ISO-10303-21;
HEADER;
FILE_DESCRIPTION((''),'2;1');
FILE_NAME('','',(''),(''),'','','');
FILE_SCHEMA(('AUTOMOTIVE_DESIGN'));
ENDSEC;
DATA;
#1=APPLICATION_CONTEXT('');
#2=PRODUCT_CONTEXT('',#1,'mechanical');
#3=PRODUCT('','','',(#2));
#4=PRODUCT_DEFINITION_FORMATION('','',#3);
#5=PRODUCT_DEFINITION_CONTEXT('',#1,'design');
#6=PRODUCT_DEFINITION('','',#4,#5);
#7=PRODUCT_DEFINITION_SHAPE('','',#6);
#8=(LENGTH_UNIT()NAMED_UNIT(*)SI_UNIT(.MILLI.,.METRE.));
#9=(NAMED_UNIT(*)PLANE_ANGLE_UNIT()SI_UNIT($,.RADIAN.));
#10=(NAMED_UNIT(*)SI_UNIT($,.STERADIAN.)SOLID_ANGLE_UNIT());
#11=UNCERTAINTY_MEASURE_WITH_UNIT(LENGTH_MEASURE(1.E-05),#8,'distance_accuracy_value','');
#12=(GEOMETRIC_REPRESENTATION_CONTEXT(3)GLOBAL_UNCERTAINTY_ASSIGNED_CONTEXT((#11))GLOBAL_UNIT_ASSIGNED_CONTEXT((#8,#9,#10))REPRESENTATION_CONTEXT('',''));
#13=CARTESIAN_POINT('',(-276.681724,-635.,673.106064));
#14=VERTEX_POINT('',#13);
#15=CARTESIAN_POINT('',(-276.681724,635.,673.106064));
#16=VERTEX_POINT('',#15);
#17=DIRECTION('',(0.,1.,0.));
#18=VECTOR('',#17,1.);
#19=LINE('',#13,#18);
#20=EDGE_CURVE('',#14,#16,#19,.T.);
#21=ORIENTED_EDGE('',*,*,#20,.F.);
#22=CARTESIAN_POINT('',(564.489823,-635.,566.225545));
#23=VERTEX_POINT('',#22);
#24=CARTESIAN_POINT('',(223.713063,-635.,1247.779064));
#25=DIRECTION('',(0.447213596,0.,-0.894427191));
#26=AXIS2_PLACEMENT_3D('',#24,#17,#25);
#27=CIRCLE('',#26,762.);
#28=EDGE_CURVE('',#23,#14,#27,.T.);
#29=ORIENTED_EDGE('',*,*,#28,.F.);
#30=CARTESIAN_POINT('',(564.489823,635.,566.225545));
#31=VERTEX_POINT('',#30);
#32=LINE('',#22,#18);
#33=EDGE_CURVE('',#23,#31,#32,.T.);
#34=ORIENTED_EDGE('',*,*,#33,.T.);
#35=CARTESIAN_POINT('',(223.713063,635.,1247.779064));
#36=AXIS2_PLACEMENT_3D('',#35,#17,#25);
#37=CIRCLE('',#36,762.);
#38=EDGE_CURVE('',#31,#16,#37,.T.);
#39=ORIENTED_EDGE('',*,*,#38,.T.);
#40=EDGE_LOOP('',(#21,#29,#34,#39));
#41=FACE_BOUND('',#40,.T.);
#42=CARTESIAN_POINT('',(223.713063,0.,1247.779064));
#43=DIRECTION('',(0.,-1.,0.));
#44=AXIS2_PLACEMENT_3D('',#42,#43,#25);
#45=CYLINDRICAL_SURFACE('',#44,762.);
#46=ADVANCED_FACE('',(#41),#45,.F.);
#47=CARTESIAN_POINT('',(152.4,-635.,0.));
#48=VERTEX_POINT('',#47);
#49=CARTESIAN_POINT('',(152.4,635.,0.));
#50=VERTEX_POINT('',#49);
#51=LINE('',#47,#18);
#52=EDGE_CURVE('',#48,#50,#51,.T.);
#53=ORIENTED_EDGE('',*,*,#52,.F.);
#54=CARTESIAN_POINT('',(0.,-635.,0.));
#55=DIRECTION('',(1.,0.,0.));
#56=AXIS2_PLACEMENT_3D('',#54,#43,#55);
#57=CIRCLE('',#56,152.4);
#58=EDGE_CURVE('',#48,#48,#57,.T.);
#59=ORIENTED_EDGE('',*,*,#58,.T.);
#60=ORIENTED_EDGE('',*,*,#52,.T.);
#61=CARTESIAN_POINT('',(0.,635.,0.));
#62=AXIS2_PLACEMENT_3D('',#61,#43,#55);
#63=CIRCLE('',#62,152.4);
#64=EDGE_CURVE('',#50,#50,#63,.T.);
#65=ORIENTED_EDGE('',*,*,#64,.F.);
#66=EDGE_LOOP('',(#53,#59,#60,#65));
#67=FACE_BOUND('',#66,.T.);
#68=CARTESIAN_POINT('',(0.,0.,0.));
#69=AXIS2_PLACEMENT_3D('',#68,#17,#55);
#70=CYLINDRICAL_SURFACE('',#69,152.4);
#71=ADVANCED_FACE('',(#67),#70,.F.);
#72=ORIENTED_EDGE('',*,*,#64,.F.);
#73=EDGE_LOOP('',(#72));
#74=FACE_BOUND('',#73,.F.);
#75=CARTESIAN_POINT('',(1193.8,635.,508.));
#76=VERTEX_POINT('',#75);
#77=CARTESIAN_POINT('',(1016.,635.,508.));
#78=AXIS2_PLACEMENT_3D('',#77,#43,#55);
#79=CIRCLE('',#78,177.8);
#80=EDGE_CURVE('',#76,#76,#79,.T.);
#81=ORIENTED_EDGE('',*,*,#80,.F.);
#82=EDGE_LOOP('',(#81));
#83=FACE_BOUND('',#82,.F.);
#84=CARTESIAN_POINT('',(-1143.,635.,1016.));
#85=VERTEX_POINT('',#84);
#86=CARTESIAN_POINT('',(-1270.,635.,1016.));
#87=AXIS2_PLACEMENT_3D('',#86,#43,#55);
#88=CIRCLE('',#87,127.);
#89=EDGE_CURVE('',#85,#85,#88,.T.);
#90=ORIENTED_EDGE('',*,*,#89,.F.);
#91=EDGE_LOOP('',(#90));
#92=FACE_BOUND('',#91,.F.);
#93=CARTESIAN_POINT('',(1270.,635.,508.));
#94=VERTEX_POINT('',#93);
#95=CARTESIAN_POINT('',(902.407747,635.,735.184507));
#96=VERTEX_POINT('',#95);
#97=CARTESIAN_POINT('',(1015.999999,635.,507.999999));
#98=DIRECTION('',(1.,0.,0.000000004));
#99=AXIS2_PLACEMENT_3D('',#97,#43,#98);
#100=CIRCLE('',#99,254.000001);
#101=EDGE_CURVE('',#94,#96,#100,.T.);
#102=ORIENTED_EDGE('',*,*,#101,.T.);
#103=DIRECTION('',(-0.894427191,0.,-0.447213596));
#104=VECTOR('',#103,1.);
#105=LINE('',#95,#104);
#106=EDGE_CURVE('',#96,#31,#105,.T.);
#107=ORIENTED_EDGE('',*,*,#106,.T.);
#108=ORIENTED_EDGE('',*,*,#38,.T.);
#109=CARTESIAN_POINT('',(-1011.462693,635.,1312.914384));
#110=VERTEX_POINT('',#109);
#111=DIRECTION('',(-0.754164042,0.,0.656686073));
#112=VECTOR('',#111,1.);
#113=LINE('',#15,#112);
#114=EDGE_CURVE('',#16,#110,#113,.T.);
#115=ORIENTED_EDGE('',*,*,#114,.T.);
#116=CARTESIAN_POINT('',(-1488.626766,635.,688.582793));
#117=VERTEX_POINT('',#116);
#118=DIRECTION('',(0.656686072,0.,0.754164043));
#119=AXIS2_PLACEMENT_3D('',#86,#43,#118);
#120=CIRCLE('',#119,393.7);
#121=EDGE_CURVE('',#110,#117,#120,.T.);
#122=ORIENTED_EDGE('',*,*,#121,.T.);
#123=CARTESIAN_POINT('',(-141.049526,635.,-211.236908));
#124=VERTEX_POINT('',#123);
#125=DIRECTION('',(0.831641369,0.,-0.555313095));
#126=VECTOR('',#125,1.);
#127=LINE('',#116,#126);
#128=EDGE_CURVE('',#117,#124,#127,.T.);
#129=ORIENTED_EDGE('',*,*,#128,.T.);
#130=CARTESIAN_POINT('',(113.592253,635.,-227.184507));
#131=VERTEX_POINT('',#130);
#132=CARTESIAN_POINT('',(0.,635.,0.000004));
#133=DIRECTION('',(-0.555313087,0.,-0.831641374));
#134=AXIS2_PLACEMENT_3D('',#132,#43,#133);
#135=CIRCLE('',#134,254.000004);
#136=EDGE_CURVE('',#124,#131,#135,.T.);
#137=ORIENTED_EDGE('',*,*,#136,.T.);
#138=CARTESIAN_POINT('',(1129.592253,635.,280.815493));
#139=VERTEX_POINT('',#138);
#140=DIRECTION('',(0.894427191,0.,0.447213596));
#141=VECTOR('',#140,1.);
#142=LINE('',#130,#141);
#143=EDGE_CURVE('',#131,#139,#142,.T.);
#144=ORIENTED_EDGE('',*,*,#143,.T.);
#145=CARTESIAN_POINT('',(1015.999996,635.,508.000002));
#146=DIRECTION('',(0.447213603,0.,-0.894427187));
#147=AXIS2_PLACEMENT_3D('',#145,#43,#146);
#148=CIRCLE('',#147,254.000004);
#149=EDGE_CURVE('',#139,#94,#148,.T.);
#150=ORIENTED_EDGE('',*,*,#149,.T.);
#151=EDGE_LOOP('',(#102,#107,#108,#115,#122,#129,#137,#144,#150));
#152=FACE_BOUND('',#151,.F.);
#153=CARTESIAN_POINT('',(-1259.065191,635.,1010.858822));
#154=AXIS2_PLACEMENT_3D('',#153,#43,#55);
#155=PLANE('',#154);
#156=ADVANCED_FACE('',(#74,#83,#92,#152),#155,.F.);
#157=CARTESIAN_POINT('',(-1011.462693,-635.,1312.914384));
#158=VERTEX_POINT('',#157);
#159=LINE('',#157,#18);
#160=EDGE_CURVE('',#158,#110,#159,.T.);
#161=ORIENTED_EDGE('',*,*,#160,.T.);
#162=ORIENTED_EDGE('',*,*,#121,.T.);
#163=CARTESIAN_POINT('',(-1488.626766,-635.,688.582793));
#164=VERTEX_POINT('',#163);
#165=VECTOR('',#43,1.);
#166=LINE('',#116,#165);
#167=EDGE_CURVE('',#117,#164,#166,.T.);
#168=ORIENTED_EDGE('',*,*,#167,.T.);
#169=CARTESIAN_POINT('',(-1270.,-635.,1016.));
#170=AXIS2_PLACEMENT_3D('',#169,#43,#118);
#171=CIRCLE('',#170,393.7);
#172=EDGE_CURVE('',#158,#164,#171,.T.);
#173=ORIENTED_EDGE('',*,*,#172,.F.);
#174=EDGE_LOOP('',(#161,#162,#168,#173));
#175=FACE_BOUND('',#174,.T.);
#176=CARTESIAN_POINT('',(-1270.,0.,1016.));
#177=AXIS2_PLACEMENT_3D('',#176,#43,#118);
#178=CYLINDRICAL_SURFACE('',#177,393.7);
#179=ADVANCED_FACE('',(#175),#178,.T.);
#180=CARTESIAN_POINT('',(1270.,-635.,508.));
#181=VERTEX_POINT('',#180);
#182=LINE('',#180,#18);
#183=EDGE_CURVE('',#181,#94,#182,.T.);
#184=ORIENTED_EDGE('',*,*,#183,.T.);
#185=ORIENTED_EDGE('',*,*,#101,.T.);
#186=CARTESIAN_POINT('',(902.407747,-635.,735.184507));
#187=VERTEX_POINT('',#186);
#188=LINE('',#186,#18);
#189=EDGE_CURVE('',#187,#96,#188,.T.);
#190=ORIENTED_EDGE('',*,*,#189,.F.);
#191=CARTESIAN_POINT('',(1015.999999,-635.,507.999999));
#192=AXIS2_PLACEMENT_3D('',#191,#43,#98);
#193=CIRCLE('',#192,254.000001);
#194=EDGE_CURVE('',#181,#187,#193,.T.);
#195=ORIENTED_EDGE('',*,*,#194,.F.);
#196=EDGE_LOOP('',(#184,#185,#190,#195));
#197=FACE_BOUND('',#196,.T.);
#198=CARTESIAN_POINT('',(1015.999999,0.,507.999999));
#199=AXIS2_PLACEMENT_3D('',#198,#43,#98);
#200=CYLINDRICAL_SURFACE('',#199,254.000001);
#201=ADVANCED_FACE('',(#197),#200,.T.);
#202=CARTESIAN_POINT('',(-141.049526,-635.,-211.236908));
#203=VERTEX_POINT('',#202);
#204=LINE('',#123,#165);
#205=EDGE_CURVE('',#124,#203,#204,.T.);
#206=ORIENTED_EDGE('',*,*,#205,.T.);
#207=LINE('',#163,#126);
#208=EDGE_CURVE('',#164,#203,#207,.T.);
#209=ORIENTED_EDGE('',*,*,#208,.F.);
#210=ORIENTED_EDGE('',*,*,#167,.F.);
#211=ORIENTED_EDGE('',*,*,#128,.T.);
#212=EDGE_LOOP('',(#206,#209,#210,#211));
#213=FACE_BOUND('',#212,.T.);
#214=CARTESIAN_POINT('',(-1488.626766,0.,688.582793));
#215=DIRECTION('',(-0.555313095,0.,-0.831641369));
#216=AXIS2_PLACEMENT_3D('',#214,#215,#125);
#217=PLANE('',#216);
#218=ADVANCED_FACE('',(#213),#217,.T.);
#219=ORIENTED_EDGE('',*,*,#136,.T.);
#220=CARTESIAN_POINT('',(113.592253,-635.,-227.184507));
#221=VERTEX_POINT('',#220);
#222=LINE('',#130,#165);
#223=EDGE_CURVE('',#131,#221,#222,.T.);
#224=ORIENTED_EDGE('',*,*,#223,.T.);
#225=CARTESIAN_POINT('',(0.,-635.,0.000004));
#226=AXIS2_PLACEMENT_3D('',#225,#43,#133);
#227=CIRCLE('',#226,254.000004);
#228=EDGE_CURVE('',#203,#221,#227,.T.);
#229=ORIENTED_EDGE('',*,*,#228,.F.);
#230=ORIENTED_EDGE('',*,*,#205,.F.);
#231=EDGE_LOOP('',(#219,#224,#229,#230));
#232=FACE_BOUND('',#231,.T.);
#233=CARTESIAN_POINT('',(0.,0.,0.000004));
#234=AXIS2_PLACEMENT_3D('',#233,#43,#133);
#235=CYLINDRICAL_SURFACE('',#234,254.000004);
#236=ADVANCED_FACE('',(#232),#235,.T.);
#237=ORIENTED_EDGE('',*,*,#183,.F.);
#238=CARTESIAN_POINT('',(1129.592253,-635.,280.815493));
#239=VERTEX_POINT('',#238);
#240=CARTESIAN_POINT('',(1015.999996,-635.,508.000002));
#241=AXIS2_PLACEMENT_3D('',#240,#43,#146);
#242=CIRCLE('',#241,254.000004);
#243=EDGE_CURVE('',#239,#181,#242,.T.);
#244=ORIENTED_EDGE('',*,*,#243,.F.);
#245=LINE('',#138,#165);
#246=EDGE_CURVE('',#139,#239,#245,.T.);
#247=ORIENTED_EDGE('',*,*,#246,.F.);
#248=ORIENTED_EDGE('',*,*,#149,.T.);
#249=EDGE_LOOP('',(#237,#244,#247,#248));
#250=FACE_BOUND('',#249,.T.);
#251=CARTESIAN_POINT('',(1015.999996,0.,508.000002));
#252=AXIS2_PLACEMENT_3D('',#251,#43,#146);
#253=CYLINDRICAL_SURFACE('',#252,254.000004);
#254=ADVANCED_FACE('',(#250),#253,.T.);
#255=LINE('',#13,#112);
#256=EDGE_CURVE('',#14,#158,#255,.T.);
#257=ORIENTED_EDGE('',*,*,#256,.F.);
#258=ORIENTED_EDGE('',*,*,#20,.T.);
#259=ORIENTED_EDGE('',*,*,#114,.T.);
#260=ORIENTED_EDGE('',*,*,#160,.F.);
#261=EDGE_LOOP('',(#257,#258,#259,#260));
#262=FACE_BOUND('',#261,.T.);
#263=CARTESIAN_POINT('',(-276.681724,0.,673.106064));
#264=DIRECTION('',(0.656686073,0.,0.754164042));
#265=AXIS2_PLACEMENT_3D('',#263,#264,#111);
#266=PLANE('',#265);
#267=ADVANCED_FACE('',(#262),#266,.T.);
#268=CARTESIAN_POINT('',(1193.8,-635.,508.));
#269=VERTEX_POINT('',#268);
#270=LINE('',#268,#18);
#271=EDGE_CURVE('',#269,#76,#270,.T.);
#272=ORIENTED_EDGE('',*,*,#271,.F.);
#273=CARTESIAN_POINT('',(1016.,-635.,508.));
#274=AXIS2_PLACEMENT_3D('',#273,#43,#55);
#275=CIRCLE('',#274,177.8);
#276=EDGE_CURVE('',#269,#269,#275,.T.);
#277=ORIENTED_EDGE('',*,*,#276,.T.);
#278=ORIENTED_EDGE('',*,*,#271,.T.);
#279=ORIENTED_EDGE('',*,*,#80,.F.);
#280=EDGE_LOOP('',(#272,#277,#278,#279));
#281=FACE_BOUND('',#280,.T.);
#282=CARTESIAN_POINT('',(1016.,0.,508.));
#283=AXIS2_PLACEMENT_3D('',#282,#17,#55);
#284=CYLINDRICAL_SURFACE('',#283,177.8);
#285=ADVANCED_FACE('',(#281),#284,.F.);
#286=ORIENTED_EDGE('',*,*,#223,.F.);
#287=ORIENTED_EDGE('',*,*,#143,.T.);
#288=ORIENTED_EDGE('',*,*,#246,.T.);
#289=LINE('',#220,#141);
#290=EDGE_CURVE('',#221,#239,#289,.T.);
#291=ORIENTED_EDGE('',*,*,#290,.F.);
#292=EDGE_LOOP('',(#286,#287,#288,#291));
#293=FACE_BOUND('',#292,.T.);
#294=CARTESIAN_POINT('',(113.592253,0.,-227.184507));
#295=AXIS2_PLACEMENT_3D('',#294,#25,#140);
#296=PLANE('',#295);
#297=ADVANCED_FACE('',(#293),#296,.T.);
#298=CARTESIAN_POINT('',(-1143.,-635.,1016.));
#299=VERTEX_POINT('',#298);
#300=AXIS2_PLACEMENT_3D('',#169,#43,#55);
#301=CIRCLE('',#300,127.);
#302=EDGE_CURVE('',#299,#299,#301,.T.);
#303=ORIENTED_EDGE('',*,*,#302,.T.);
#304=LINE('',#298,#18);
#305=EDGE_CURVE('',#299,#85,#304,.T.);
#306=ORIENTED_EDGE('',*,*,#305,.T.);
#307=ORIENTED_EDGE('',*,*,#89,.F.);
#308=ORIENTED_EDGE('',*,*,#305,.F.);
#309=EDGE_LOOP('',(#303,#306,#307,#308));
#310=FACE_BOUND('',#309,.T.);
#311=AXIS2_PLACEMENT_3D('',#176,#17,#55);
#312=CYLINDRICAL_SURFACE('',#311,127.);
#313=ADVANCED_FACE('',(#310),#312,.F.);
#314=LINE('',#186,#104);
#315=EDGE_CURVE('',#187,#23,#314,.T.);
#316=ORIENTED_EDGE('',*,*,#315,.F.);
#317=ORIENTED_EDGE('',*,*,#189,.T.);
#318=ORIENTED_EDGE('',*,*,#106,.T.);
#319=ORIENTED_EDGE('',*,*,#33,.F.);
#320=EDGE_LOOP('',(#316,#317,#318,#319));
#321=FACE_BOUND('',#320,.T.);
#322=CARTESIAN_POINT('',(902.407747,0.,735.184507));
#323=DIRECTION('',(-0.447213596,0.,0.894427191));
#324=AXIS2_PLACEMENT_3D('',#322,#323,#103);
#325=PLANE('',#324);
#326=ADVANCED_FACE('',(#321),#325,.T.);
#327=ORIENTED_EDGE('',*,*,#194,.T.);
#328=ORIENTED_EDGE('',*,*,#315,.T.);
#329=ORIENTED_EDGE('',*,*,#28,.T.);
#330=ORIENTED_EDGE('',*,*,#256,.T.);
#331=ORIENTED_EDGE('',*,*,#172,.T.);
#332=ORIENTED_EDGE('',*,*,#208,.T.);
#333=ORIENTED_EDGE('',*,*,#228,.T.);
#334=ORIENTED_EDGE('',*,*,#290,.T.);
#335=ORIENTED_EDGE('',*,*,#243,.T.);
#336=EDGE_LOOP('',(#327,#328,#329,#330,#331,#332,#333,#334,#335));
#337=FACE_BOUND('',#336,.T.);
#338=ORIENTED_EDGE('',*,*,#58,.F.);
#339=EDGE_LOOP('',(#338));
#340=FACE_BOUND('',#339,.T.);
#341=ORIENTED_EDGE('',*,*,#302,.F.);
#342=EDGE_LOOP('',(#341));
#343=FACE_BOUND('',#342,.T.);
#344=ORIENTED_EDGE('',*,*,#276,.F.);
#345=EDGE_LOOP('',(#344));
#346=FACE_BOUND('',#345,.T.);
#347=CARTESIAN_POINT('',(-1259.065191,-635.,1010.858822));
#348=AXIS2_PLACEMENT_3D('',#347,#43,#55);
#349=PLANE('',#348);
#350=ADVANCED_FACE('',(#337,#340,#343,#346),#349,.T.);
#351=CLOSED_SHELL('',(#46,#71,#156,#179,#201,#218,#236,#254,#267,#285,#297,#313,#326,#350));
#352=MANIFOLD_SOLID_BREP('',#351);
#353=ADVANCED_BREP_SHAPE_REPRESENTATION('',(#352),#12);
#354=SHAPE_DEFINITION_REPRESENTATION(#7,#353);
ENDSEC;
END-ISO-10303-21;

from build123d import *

# Parameters (mm, degrees)
F0_R     = 127
F0_R_2   = 152.4
F0_R_3   = 177.8
F1_DEPTH = 635


with BuildPart() as f1:
    # F0 (on Front) → F1 (new body, symmetric)
    with BuildSketch(Plane.XZ):
        with BuildLine():
            ThreePointArc((-1011.462693, 1312.914384), (-1582.802968, 1255.069014), (-1488.626766, 688.582793))
            ThreePointArc((-1488.626766, 688.582793), (-1084.357424, 668.816297), (-876.3, 1016))
            ThreePointArc((-876.3, 1016), (-911.680431, 1179.115837), (-1011.462693, 1312.914384))
        make_face()
        with Locations((-1270, 1016)):
            Circle(F0_R, mode=Mode.SUBTRACT)
        with BuildLine():
            ThreePointArc((-141.049526, -211.236908), (-119.769404, 223.989486), (254, 0))
            ThreePointArc((254, 0), (216.065305, -133.535702), (113.592253, -227.184507))
            Line((113.592253, -227.184507), (1129.592253, 280.815493))
            ThreePointArc((1129.592253, 280.815493), (788.815493, 394.407747), (902.407747, 735.184507))
            Line((902.407747, 735.184507), (564.489823, 566.225545))
            ThreePointArc((564.489823, 566.225545), (127.66443, 491.856674), (-276.681724, 673.106064))
            Line((-276.681724, 673.106064), (-1011.462693, 1312.914384))
            ThreePointArc((-1011.462693, 1312.914384), (-911.680431, 1179.115837), (-876.3, 1016))
            ThreePointArc((-876.3, 1016), (-1084.357424, 668.816297), (-1488.626766, 688.582793))
            Line((-1488.626766, 688.582793), (-141.049526, -211.236908))
        make_face()
        with BuildLine():
            ThreePointArc((113.592253, -227.184507), (216.065305, -133.535702), (254, 0))
            ThreePointArc((254, 0), (-119.769404, 223.989486), (-141.049526, -211.236908))
            ThreePointArc((-141.049526, -211.236908), (-15.876301, -253.503339), (113.592253, -227.184507))
        make_face()
        Circle(F0_R_2, mode=Mode.SUBTRACT)
        with BuildLine():
            ThreePointArc((902.407747, 735.184507), (788.815493, 394.407747), (1129.592253, 280.815493))
            ThreePointArc((1129.592253, 280.815493), (1232.065305, 374.464298), (1270, 508))
            ThreePointArc((1270, 508), (1149.535702, 724.065305), (902.407747, 735.184507))
        make_face()
        with Locations((1016, 508)):
            Circle(F0_R_3, mode=Mode.SUBTRACT)
    extrude(amount=F1_DEPTH, both=True)


solid = f1.part
